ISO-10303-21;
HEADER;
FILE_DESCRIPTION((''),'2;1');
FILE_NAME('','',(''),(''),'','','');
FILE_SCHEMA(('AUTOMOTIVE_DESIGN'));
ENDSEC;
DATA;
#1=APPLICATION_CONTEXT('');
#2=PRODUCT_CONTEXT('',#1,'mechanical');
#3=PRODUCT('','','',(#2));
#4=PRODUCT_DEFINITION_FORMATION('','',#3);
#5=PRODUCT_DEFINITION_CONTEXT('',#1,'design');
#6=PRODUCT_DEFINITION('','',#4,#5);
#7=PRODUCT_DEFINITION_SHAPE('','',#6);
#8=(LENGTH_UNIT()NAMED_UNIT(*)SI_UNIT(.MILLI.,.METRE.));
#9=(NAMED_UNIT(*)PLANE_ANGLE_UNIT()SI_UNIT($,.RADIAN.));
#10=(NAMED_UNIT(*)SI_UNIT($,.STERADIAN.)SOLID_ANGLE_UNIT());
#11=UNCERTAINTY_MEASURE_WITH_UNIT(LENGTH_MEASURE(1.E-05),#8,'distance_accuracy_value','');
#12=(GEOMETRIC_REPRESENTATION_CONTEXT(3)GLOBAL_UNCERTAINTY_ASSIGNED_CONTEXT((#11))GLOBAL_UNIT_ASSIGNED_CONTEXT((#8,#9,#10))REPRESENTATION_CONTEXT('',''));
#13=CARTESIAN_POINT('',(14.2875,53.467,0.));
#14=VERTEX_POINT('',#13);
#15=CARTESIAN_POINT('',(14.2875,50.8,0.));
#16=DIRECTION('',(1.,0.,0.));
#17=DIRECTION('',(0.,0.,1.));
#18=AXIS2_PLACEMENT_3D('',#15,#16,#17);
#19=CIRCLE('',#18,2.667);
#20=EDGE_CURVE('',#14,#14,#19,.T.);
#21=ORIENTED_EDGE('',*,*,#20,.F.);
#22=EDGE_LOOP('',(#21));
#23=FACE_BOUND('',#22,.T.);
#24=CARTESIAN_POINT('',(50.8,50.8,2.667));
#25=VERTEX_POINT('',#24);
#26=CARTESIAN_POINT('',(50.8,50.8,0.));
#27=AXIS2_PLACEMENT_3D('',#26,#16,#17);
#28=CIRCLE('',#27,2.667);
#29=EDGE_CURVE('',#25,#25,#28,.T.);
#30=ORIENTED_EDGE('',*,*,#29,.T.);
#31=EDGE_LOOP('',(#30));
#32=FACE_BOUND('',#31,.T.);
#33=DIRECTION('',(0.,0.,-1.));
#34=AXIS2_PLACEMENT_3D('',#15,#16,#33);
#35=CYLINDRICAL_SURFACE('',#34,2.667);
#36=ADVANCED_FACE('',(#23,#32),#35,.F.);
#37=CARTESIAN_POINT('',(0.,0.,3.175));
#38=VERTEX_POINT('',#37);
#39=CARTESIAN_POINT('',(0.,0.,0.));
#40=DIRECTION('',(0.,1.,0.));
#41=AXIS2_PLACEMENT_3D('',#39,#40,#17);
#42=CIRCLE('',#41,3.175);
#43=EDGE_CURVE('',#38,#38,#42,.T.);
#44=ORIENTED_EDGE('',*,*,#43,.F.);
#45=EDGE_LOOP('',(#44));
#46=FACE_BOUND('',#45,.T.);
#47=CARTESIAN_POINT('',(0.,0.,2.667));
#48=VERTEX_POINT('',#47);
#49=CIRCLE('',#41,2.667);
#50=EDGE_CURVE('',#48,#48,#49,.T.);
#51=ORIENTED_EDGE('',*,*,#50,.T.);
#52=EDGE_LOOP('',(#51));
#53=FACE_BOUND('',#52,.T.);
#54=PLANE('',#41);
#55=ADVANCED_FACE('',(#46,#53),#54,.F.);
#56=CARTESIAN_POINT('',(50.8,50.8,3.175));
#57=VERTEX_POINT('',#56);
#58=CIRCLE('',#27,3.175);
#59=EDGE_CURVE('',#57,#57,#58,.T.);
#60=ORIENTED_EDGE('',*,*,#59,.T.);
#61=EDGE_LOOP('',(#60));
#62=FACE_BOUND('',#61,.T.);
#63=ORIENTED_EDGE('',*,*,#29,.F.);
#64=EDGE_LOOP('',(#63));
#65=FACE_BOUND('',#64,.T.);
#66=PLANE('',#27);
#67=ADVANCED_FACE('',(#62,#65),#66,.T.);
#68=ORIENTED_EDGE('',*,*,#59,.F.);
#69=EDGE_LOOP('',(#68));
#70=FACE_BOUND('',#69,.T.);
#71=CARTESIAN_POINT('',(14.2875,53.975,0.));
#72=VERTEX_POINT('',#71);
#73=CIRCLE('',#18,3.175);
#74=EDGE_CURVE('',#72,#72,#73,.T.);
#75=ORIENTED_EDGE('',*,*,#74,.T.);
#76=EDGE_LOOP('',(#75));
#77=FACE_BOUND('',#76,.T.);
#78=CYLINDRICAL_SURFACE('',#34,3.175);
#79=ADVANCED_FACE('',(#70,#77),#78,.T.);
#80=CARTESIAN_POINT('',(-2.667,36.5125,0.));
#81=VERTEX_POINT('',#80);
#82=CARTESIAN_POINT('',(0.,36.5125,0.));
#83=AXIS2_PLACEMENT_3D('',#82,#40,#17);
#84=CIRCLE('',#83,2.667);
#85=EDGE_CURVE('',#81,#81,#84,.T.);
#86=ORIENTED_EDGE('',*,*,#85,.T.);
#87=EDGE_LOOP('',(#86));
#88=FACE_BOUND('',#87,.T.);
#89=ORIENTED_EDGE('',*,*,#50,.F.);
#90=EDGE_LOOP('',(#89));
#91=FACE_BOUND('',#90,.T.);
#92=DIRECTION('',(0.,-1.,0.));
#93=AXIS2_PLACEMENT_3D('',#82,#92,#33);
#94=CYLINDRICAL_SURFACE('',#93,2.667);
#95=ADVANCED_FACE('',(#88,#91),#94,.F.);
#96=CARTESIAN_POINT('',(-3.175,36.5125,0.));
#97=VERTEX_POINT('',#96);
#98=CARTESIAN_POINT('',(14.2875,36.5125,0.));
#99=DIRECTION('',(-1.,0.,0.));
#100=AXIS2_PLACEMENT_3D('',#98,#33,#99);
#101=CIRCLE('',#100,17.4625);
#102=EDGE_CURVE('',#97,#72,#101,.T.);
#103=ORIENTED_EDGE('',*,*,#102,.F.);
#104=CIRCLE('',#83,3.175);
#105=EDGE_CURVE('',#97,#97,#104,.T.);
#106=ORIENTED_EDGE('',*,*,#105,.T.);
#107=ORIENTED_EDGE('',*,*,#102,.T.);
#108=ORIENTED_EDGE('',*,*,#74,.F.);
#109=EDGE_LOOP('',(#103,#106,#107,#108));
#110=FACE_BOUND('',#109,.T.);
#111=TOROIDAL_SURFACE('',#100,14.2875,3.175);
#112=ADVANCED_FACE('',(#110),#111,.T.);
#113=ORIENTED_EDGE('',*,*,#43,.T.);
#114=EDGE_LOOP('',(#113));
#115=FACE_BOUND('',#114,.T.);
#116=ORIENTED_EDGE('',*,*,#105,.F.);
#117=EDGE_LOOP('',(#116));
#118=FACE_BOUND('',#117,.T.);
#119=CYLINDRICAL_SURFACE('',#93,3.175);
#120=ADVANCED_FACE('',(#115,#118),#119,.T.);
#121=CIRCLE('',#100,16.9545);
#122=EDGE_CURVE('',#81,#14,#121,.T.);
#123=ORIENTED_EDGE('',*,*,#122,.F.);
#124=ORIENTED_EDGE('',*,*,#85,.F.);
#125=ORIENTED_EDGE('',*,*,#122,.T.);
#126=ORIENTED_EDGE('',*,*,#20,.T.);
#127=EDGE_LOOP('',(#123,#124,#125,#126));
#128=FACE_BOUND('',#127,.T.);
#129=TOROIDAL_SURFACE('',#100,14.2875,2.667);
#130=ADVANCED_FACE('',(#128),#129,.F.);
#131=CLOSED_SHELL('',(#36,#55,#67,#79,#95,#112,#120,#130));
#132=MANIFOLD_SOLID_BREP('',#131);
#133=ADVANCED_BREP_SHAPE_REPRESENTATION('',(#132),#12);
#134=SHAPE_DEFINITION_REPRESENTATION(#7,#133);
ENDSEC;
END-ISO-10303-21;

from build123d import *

# Parameters (mm, degrees)
SKETCH2_R   = 3.175
SKETCH2_R_2 = 2.667


with BuildPart() as part:
    # Sweep1: sweep along a path in Sketch1
    with BuildLine(Plane.XY) as sweep1_path:
        Line((0, 0), (0, 36.5125))
        ThreePointArc((0, 36.5125), (4.184711864, 46.615288136), (14.2875, 50.8))
        Line((14.2875, 50.8), (50.8, 50.8))
    # Sketch2 → Sweep1 (sweep)
    with BuildSketch(Plane(origin=(0, 0, 0), x_dir=(1, 0, 0), z_dir=(0, 1, 0))):
        Circle(SKETCH2_R)
        Circle(SKETCH2_R_2, mode=Mode.SUBTRACT)
    sweep(path=sweep1_path.line)


solid = part.part
